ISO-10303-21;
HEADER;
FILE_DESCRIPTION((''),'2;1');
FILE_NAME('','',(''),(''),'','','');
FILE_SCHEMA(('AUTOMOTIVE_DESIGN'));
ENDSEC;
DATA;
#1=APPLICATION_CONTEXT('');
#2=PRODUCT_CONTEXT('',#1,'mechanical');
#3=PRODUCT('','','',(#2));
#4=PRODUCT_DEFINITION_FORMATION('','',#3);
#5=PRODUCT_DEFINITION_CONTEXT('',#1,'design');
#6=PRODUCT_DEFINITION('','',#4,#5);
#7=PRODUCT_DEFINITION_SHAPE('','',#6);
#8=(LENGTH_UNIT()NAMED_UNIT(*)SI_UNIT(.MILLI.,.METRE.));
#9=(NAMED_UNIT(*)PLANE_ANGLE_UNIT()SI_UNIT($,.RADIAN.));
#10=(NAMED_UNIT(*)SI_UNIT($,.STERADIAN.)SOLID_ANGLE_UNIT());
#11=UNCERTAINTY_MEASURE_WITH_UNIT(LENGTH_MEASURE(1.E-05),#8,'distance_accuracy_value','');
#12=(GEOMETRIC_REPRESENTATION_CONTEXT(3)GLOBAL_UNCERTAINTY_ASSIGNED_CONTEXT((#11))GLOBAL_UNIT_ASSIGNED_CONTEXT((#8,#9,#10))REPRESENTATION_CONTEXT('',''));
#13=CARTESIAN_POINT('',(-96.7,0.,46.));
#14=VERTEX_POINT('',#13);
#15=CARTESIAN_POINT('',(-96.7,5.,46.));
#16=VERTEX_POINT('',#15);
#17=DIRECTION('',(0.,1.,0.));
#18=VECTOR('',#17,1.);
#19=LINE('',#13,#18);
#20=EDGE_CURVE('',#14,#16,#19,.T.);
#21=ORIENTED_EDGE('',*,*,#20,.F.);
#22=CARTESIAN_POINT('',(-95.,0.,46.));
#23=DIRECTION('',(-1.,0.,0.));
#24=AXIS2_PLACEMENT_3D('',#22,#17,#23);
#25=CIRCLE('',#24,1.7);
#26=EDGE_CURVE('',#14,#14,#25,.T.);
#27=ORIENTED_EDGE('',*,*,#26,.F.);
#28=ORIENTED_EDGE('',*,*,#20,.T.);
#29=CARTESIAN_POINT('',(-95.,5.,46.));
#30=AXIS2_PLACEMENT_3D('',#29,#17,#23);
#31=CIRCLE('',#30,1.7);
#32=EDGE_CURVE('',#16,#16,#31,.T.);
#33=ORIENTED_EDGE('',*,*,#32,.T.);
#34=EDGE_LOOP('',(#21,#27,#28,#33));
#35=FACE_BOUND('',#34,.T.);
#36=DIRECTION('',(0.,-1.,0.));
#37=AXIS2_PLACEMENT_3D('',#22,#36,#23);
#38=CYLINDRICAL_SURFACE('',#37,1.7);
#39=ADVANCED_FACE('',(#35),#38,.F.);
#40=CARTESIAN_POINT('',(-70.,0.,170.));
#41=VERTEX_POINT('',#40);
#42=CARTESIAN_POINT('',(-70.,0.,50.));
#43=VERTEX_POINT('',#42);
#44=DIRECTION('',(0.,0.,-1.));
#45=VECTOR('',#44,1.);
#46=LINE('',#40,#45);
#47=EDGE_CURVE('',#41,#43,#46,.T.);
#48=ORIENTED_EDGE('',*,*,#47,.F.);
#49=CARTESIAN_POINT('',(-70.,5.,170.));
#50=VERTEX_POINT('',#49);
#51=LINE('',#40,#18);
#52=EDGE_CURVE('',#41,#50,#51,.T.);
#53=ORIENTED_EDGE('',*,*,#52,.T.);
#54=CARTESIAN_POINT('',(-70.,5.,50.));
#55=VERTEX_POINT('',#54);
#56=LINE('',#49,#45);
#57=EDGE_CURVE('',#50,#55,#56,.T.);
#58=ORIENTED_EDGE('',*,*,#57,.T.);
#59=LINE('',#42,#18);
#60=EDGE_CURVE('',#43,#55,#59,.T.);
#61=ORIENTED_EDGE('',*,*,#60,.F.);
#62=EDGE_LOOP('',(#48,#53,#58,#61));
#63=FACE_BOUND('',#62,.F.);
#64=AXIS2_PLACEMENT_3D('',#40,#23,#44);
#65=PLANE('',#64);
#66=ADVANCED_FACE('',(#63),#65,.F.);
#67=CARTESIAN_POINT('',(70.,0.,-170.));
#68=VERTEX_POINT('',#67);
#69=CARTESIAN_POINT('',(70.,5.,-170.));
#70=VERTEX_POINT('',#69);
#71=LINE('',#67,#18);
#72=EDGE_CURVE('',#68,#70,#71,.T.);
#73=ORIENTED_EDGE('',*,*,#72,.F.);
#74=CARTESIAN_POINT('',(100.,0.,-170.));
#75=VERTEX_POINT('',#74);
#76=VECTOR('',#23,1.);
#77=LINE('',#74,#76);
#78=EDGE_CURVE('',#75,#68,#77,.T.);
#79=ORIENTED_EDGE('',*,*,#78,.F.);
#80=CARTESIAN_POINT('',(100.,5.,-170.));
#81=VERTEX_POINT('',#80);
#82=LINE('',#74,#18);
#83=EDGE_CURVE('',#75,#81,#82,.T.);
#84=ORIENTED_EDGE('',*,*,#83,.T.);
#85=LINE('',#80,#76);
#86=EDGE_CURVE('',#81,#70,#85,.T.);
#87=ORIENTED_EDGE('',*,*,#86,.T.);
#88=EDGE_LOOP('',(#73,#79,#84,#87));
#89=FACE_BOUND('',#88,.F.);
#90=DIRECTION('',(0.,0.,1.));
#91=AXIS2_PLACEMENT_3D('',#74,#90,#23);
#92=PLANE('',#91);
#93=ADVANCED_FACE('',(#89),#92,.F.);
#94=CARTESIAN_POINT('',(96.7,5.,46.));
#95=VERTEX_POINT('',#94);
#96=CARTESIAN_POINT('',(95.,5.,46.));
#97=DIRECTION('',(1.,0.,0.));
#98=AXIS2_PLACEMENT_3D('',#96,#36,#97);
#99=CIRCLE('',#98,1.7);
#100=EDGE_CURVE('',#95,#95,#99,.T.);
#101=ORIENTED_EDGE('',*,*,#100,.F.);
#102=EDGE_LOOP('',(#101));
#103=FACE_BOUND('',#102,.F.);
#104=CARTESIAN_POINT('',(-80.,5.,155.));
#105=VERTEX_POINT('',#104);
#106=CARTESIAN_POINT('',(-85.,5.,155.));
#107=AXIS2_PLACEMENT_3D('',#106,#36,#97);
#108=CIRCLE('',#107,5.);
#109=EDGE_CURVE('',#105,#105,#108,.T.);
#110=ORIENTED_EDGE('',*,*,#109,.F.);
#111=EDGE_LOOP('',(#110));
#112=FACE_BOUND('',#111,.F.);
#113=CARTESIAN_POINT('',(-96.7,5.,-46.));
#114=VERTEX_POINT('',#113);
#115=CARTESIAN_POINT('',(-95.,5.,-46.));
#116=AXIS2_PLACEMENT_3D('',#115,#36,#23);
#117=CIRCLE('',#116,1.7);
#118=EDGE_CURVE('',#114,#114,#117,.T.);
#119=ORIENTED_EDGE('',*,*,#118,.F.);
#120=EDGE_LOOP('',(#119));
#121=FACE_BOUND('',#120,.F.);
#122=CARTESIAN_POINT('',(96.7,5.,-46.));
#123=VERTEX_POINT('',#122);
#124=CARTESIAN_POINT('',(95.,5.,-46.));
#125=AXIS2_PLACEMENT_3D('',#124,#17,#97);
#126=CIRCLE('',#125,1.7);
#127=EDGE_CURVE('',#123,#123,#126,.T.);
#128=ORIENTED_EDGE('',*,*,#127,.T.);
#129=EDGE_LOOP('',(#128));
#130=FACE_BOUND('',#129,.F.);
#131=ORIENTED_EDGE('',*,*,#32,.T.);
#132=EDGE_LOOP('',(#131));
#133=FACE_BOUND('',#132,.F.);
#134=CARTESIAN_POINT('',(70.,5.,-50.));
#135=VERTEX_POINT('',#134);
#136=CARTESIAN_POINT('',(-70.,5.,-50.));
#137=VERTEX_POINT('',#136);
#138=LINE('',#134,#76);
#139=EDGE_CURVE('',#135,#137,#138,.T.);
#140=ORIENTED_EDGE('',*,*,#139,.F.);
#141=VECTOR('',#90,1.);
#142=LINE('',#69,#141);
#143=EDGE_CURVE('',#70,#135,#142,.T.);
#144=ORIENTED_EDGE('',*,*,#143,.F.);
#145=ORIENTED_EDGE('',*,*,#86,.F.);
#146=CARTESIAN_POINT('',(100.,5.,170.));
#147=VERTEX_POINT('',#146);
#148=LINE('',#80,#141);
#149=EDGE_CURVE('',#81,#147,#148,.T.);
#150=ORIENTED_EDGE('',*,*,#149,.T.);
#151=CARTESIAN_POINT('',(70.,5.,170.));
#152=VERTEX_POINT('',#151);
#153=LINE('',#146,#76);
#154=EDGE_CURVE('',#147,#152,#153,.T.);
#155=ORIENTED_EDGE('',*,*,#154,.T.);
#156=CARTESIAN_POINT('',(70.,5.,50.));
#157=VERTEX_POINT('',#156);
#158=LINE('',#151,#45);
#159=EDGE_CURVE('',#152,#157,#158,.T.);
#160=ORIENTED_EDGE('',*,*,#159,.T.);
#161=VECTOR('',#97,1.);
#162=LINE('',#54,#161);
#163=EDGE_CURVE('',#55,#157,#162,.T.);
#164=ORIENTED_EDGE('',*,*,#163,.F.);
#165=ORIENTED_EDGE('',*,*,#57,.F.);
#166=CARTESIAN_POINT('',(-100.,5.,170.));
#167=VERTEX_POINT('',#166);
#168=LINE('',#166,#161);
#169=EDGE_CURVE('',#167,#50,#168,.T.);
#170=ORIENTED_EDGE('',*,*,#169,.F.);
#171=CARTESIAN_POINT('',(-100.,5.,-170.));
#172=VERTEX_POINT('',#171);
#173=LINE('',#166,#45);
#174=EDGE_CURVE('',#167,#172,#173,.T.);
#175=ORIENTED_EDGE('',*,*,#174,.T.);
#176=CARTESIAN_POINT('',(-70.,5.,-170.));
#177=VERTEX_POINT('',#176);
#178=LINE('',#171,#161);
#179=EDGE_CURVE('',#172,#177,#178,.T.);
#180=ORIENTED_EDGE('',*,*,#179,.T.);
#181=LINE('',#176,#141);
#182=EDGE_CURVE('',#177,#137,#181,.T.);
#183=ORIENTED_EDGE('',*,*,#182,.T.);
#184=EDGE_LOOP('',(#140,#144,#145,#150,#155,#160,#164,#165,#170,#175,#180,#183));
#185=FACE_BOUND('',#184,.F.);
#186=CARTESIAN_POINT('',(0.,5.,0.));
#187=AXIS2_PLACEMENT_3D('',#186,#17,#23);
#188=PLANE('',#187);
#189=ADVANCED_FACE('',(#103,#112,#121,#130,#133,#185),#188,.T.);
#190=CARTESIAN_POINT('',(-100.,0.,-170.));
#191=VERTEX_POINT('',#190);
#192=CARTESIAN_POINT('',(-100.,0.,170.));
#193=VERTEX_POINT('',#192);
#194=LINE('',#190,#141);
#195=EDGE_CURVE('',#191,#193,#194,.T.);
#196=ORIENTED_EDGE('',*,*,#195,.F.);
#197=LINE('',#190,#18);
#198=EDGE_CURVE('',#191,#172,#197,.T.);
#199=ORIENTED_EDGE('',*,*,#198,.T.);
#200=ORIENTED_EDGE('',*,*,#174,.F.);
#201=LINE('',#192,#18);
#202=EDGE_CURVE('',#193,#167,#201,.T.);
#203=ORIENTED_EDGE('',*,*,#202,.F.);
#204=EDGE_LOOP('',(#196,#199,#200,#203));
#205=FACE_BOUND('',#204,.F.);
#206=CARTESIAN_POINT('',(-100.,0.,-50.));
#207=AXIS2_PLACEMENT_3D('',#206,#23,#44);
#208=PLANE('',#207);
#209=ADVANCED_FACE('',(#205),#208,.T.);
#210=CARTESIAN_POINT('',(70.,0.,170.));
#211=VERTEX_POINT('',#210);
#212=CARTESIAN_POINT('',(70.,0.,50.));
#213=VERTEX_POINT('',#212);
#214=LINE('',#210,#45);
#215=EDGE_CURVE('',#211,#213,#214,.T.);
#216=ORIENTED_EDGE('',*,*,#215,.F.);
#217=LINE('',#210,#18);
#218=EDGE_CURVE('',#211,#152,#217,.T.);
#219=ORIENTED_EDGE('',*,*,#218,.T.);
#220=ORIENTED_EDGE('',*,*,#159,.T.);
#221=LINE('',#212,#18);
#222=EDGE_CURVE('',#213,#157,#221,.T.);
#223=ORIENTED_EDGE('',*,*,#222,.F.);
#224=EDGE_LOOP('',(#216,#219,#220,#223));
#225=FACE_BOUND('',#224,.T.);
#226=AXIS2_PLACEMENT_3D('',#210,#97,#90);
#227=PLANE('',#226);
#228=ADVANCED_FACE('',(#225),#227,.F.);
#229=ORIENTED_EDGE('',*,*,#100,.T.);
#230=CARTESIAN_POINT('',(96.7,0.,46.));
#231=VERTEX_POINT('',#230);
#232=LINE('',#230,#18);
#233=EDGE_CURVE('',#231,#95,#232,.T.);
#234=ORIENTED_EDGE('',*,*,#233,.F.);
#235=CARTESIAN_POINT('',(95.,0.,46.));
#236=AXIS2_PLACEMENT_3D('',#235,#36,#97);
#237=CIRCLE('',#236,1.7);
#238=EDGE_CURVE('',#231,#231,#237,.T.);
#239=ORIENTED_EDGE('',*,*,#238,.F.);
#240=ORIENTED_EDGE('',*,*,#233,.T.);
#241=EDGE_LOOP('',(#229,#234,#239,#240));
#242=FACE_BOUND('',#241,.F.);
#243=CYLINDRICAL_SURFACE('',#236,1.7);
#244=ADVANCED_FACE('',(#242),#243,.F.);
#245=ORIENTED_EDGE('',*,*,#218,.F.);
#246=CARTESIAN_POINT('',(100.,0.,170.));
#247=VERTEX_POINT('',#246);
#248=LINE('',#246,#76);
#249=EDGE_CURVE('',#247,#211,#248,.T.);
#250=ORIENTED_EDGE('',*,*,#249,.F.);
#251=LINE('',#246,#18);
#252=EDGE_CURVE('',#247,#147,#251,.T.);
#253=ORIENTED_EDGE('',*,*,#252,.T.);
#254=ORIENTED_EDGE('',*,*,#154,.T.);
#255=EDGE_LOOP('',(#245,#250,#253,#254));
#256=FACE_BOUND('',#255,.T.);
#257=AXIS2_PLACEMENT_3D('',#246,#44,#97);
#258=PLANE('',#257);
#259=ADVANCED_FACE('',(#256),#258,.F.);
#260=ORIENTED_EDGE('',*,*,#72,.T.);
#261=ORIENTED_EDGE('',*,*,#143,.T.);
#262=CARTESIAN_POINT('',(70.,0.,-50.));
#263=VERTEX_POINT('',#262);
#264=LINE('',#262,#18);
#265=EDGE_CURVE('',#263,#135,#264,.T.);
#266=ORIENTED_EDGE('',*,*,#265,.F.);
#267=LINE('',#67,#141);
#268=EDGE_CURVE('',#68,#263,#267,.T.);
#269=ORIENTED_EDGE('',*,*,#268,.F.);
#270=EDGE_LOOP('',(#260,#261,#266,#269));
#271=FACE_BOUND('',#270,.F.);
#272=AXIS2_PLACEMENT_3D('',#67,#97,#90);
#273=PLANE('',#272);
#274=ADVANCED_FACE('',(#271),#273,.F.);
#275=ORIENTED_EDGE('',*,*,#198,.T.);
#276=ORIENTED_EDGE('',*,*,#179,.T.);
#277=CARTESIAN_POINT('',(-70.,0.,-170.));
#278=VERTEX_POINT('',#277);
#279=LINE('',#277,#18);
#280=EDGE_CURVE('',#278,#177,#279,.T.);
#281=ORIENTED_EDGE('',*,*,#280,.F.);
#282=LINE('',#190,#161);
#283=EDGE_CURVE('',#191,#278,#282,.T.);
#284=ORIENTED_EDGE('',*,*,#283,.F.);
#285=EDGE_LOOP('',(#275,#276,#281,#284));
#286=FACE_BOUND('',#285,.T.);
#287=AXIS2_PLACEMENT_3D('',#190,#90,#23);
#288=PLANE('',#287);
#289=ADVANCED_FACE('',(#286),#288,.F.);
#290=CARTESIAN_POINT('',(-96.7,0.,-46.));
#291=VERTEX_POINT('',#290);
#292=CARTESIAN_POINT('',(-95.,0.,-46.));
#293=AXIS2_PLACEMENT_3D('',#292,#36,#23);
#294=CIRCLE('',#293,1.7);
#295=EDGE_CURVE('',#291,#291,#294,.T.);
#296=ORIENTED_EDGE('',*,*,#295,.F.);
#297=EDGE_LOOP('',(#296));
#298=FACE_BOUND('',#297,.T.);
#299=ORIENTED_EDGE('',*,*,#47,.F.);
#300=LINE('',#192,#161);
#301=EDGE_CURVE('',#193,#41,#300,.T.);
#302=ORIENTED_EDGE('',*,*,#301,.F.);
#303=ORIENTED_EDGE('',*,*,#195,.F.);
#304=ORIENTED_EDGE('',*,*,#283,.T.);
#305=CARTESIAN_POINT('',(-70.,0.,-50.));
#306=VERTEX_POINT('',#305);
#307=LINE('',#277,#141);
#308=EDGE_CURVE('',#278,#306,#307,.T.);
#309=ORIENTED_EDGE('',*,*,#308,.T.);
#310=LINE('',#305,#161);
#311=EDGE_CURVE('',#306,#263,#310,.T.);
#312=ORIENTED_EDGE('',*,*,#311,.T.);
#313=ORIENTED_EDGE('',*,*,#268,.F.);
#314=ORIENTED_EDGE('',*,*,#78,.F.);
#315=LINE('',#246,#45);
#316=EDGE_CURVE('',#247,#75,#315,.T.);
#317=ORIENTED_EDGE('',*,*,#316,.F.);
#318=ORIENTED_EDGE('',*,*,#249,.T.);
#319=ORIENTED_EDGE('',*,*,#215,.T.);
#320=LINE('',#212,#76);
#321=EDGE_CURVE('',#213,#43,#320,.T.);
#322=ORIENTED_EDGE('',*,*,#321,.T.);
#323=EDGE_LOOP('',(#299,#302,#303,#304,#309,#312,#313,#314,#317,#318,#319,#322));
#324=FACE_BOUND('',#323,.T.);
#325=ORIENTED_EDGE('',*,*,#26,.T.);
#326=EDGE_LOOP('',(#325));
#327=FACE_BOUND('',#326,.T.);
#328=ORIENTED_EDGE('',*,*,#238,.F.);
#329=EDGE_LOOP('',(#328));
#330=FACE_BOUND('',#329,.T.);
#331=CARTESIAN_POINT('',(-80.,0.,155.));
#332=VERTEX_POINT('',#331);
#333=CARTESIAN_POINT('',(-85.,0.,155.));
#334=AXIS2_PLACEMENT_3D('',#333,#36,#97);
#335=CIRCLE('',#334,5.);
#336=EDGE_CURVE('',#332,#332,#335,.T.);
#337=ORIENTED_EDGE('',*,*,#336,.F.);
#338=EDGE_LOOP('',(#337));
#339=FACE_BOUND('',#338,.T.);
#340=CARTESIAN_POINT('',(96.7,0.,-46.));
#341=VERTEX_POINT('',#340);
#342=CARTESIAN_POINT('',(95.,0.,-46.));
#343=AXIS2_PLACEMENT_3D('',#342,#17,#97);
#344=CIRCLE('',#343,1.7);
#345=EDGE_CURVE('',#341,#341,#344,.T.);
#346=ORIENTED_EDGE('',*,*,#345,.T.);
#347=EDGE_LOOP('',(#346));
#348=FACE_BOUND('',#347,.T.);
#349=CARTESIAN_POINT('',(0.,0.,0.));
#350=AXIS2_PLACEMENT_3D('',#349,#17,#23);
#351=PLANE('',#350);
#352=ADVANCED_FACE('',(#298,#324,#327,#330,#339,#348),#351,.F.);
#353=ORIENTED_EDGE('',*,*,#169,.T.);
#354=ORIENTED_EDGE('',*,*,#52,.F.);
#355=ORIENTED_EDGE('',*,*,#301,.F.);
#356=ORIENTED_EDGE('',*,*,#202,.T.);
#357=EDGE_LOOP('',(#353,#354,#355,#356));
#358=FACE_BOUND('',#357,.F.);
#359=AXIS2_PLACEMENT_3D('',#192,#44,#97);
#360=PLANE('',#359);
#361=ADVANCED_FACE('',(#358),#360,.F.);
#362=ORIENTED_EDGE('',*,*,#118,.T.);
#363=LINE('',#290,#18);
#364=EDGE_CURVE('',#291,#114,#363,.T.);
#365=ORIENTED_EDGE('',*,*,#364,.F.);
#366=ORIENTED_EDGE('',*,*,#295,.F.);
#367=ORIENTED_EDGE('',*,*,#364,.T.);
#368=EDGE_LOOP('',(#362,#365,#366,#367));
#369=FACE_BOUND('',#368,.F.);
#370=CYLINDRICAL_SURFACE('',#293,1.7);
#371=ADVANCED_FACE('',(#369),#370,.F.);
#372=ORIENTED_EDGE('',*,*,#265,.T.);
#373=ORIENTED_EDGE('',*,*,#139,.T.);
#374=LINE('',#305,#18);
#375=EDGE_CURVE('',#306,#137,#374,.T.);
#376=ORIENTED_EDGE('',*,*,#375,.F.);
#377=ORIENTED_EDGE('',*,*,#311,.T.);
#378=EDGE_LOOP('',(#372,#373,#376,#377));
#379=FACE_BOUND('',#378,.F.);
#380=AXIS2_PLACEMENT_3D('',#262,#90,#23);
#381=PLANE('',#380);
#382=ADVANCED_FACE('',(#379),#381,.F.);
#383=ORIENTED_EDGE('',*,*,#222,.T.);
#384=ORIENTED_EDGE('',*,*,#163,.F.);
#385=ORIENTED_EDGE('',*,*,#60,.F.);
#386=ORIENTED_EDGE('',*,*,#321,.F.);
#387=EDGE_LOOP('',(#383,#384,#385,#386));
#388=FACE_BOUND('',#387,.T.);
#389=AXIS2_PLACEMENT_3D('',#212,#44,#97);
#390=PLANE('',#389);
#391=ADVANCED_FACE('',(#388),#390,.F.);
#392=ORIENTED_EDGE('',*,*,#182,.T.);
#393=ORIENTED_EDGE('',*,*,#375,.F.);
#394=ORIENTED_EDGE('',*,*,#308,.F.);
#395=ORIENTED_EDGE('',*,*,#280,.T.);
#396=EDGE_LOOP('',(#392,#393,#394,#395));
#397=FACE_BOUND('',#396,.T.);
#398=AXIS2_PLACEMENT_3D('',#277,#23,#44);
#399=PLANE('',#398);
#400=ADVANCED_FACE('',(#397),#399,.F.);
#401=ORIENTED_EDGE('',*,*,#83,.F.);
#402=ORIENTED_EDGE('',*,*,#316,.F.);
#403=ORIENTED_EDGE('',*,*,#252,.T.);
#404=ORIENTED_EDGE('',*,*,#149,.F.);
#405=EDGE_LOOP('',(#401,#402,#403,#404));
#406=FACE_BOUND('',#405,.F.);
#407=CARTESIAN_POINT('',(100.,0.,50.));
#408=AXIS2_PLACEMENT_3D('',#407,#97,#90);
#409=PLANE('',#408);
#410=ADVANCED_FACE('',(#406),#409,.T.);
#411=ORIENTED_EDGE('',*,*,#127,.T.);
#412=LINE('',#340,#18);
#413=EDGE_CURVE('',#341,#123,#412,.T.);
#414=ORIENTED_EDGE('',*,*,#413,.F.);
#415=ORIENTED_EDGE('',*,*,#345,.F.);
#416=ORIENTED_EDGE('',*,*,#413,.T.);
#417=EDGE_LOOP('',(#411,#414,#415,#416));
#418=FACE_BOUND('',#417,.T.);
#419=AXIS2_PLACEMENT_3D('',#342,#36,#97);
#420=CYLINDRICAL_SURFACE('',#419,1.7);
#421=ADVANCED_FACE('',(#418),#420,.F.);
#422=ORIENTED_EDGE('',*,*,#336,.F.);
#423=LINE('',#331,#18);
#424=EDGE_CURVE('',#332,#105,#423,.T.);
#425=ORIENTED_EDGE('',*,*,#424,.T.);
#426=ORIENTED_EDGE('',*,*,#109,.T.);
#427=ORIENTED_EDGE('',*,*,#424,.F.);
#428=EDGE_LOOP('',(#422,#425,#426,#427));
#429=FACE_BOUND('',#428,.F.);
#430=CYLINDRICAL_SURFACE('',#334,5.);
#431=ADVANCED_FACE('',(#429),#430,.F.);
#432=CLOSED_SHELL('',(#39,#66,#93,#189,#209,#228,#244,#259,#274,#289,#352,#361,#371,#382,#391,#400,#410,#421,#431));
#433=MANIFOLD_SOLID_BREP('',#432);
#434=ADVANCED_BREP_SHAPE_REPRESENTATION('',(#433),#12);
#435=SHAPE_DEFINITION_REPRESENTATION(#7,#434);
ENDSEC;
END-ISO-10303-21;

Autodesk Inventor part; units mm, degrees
ref_plane "YZ Plane" through (0, 0, 0) normal (1, 0, 0) x (0, 1, 0)
ref_plane "XZ Plane" through (0, 0, 0) normal (0, 1, 0) x (-1, 0, 0)
ref_plane "XY Plane" through (0, 0, 0) normal (0, 0, 1) x (1, 0, 0)
sketch "Skizze1" plane through (0, 0, 0) normal (0, 1, 0) x (-1, 0, 0)
  line L0 (127.3199, 0) -> (-102.7808, 0) construction
  line L1 (0, 142.2638) -> (0, -235.5235) construction
  line L2 (100, 50) -> (100, 0)
  line L3 (70, 50) -> (0, 50)
  line L4 (0, 0) -> (100, 0)
  line L5 (0, 50) -> (0, 0)
  line L6 (100, 50) -> (100, 170)
  line L7 (100, 170) -> (70, 170)
  line L8 (70, 170) -> (70, 50)
  circle A0 centre (95, 46) radius 1.7
  dimension "d10" = 100
  dimension "d12" = 30
  dimension "d13" = 170
  dimension "d14" = 50
  dimension "d22" = 5
  dimension "d23" = 4
  dimension "d26" = 3.4
extrude "Extrusion1" add sketch "Skizze1" along normal blind 5
ref_plane "Arbeitsebene1" through (0, 0, 50) normal (1, 0, 0) x (0, 1, 0)
ref_plane "Arbeitsebene2" through (0, 5, 0) normal (0, 0, -1) x (-1, 0, 0)
mirror "Spiegeln1" about plane through (0, 5, 0) normal (0, 0, -1) of "Extrusion1"
pattern_circular "Runde Anordnung1" count 2 over 360 about axis through (0, 5, 0) along (0, -1, 0) of "Extrusion1"
mirror "Spiegeln2" about plane through (0, 0, 50) normal (1, 0, 0) of "Extrusion1"
mirror "Spiegeln3" about plane through (0, 5, 0) normal (0, 0, -1) of "Extrusion1"
sketch "Skizze2" plane through (0, 0, 0) normal (0, -1, 0) x (1, 0, 0)
  line L0 (-100, 170) -> (-100, -170) construction
  line L1 (-100, 170) -> (-70, 170) construction
  line L2 (-100, 140) -> (-70, 140)
  line L3 (-70, 170) -> (-70, 50) projected
  circle A0 centre (-85, 155) radius 5
  point P0 (0, 0)
  dimension "d28" = 30
  dimension "d29" = 15
  dimension "d31" = 10
extrude "Extrusion3" cut sketch "Skizze2" against normal blind 10
properties part number "Chassis-1"
